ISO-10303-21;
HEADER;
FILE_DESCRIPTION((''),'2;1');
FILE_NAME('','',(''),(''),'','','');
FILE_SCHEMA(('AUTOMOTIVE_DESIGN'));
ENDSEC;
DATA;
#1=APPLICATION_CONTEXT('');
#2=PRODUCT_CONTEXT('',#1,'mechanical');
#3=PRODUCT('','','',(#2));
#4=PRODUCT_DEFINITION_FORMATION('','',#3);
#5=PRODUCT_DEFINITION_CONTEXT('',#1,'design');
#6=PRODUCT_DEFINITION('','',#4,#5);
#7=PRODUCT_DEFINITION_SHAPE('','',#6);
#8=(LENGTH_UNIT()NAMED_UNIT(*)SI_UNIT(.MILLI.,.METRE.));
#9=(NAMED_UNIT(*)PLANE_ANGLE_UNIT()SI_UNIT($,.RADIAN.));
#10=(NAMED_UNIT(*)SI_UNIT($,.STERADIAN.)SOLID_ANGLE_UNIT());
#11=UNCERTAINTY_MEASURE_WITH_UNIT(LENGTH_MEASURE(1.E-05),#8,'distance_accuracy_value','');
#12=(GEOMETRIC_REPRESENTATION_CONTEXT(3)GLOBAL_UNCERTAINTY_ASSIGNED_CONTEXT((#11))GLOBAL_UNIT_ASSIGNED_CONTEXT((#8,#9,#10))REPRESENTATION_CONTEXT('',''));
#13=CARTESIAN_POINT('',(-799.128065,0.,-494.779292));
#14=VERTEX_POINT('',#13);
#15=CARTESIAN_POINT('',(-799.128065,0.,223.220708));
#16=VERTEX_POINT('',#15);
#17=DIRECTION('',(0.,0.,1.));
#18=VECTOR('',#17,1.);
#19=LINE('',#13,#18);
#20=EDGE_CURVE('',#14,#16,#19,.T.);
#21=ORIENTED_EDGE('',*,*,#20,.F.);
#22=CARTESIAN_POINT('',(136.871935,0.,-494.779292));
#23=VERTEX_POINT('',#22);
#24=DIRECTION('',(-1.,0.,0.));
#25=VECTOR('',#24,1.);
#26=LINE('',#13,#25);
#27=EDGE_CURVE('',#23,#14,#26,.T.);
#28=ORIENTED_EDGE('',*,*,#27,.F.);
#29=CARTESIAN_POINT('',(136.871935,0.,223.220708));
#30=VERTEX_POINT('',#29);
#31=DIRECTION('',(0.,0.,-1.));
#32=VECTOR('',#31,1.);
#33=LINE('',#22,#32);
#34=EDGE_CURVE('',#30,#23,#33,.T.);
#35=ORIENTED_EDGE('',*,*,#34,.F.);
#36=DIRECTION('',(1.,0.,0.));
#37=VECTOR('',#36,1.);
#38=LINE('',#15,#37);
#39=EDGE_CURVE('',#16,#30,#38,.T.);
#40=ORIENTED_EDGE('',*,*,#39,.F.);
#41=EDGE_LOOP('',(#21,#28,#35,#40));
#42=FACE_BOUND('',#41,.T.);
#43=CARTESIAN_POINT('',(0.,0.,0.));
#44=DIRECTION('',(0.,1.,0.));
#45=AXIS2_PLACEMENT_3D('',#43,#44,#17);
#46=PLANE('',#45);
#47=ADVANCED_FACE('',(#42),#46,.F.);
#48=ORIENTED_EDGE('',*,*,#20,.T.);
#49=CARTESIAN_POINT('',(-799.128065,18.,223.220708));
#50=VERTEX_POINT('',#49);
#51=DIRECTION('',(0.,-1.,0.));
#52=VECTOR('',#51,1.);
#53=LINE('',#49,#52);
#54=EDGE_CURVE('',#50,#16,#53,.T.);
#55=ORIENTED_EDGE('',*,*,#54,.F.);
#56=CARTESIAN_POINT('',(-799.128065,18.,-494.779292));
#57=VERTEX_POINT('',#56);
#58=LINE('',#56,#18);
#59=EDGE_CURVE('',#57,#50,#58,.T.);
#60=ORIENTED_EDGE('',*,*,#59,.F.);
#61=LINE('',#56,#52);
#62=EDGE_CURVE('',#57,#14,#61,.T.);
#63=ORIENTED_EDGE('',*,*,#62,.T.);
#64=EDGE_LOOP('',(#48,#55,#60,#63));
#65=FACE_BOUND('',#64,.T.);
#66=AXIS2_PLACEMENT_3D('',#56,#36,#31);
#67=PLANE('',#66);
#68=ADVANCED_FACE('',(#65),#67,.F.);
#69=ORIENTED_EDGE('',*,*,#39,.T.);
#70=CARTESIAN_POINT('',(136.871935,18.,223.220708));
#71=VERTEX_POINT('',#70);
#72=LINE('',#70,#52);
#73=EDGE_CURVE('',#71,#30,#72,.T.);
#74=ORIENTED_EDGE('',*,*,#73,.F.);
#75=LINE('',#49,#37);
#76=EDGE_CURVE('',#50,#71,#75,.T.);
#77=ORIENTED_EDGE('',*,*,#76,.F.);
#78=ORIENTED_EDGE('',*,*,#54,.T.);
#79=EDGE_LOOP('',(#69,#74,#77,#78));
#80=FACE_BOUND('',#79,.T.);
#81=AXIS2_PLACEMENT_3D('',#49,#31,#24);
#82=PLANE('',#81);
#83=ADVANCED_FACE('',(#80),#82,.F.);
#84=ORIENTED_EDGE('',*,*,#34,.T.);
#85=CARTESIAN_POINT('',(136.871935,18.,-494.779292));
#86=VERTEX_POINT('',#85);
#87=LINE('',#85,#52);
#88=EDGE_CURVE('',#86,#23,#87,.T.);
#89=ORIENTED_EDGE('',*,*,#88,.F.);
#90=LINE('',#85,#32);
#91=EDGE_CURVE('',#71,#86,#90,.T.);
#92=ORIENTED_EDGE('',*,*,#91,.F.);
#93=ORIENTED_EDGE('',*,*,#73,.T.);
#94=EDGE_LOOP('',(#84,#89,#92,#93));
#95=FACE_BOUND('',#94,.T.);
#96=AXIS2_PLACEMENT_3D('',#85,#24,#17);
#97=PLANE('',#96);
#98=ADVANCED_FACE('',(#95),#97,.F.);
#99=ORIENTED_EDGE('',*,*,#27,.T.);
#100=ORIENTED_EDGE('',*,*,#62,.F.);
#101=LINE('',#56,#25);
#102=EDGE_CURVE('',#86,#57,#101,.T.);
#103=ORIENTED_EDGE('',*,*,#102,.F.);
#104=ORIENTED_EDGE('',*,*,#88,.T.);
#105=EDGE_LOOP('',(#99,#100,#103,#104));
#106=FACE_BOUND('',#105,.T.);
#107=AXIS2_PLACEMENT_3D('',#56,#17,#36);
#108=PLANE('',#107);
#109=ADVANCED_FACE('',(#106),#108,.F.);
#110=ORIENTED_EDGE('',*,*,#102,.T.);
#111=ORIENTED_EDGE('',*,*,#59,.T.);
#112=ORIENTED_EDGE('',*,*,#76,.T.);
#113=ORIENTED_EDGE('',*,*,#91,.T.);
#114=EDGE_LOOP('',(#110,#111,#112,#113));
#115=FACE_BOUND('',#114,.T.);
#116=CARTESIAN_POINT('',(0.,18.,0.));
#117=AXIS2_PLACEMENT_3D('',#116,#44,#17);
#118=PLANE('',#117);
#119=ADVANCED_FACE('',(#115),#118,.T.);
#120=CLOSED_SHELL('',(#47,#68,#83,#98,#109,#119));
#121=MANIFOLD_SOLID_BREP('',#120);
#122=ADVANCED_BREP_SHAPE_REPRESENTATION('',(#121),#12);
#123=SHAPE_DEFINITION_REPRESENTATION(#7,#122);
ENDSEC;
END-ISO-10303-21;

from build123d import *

# Parameters (mm, degrees)
SKETCH_1_W      = 936
SKETCH_1_H      = 718
EXTRUDE_1_DEPTH = 18


with BuildPart() as part:
    # 草图1 → 凸台-拉伸1 (new body)
    with BuildSketch(Plane(origin=(0, 0, 0), x_dir=(1, 0, 0), z_dir=(0, 1, 0))):
        with Locations((-331.128065395, 135.779291553)):
            Rectangle(SKETCH_1_W, SKETCH_1_H)
    extrude(amount=EXTRUDE_1_DEPTH)


solid = part.part
